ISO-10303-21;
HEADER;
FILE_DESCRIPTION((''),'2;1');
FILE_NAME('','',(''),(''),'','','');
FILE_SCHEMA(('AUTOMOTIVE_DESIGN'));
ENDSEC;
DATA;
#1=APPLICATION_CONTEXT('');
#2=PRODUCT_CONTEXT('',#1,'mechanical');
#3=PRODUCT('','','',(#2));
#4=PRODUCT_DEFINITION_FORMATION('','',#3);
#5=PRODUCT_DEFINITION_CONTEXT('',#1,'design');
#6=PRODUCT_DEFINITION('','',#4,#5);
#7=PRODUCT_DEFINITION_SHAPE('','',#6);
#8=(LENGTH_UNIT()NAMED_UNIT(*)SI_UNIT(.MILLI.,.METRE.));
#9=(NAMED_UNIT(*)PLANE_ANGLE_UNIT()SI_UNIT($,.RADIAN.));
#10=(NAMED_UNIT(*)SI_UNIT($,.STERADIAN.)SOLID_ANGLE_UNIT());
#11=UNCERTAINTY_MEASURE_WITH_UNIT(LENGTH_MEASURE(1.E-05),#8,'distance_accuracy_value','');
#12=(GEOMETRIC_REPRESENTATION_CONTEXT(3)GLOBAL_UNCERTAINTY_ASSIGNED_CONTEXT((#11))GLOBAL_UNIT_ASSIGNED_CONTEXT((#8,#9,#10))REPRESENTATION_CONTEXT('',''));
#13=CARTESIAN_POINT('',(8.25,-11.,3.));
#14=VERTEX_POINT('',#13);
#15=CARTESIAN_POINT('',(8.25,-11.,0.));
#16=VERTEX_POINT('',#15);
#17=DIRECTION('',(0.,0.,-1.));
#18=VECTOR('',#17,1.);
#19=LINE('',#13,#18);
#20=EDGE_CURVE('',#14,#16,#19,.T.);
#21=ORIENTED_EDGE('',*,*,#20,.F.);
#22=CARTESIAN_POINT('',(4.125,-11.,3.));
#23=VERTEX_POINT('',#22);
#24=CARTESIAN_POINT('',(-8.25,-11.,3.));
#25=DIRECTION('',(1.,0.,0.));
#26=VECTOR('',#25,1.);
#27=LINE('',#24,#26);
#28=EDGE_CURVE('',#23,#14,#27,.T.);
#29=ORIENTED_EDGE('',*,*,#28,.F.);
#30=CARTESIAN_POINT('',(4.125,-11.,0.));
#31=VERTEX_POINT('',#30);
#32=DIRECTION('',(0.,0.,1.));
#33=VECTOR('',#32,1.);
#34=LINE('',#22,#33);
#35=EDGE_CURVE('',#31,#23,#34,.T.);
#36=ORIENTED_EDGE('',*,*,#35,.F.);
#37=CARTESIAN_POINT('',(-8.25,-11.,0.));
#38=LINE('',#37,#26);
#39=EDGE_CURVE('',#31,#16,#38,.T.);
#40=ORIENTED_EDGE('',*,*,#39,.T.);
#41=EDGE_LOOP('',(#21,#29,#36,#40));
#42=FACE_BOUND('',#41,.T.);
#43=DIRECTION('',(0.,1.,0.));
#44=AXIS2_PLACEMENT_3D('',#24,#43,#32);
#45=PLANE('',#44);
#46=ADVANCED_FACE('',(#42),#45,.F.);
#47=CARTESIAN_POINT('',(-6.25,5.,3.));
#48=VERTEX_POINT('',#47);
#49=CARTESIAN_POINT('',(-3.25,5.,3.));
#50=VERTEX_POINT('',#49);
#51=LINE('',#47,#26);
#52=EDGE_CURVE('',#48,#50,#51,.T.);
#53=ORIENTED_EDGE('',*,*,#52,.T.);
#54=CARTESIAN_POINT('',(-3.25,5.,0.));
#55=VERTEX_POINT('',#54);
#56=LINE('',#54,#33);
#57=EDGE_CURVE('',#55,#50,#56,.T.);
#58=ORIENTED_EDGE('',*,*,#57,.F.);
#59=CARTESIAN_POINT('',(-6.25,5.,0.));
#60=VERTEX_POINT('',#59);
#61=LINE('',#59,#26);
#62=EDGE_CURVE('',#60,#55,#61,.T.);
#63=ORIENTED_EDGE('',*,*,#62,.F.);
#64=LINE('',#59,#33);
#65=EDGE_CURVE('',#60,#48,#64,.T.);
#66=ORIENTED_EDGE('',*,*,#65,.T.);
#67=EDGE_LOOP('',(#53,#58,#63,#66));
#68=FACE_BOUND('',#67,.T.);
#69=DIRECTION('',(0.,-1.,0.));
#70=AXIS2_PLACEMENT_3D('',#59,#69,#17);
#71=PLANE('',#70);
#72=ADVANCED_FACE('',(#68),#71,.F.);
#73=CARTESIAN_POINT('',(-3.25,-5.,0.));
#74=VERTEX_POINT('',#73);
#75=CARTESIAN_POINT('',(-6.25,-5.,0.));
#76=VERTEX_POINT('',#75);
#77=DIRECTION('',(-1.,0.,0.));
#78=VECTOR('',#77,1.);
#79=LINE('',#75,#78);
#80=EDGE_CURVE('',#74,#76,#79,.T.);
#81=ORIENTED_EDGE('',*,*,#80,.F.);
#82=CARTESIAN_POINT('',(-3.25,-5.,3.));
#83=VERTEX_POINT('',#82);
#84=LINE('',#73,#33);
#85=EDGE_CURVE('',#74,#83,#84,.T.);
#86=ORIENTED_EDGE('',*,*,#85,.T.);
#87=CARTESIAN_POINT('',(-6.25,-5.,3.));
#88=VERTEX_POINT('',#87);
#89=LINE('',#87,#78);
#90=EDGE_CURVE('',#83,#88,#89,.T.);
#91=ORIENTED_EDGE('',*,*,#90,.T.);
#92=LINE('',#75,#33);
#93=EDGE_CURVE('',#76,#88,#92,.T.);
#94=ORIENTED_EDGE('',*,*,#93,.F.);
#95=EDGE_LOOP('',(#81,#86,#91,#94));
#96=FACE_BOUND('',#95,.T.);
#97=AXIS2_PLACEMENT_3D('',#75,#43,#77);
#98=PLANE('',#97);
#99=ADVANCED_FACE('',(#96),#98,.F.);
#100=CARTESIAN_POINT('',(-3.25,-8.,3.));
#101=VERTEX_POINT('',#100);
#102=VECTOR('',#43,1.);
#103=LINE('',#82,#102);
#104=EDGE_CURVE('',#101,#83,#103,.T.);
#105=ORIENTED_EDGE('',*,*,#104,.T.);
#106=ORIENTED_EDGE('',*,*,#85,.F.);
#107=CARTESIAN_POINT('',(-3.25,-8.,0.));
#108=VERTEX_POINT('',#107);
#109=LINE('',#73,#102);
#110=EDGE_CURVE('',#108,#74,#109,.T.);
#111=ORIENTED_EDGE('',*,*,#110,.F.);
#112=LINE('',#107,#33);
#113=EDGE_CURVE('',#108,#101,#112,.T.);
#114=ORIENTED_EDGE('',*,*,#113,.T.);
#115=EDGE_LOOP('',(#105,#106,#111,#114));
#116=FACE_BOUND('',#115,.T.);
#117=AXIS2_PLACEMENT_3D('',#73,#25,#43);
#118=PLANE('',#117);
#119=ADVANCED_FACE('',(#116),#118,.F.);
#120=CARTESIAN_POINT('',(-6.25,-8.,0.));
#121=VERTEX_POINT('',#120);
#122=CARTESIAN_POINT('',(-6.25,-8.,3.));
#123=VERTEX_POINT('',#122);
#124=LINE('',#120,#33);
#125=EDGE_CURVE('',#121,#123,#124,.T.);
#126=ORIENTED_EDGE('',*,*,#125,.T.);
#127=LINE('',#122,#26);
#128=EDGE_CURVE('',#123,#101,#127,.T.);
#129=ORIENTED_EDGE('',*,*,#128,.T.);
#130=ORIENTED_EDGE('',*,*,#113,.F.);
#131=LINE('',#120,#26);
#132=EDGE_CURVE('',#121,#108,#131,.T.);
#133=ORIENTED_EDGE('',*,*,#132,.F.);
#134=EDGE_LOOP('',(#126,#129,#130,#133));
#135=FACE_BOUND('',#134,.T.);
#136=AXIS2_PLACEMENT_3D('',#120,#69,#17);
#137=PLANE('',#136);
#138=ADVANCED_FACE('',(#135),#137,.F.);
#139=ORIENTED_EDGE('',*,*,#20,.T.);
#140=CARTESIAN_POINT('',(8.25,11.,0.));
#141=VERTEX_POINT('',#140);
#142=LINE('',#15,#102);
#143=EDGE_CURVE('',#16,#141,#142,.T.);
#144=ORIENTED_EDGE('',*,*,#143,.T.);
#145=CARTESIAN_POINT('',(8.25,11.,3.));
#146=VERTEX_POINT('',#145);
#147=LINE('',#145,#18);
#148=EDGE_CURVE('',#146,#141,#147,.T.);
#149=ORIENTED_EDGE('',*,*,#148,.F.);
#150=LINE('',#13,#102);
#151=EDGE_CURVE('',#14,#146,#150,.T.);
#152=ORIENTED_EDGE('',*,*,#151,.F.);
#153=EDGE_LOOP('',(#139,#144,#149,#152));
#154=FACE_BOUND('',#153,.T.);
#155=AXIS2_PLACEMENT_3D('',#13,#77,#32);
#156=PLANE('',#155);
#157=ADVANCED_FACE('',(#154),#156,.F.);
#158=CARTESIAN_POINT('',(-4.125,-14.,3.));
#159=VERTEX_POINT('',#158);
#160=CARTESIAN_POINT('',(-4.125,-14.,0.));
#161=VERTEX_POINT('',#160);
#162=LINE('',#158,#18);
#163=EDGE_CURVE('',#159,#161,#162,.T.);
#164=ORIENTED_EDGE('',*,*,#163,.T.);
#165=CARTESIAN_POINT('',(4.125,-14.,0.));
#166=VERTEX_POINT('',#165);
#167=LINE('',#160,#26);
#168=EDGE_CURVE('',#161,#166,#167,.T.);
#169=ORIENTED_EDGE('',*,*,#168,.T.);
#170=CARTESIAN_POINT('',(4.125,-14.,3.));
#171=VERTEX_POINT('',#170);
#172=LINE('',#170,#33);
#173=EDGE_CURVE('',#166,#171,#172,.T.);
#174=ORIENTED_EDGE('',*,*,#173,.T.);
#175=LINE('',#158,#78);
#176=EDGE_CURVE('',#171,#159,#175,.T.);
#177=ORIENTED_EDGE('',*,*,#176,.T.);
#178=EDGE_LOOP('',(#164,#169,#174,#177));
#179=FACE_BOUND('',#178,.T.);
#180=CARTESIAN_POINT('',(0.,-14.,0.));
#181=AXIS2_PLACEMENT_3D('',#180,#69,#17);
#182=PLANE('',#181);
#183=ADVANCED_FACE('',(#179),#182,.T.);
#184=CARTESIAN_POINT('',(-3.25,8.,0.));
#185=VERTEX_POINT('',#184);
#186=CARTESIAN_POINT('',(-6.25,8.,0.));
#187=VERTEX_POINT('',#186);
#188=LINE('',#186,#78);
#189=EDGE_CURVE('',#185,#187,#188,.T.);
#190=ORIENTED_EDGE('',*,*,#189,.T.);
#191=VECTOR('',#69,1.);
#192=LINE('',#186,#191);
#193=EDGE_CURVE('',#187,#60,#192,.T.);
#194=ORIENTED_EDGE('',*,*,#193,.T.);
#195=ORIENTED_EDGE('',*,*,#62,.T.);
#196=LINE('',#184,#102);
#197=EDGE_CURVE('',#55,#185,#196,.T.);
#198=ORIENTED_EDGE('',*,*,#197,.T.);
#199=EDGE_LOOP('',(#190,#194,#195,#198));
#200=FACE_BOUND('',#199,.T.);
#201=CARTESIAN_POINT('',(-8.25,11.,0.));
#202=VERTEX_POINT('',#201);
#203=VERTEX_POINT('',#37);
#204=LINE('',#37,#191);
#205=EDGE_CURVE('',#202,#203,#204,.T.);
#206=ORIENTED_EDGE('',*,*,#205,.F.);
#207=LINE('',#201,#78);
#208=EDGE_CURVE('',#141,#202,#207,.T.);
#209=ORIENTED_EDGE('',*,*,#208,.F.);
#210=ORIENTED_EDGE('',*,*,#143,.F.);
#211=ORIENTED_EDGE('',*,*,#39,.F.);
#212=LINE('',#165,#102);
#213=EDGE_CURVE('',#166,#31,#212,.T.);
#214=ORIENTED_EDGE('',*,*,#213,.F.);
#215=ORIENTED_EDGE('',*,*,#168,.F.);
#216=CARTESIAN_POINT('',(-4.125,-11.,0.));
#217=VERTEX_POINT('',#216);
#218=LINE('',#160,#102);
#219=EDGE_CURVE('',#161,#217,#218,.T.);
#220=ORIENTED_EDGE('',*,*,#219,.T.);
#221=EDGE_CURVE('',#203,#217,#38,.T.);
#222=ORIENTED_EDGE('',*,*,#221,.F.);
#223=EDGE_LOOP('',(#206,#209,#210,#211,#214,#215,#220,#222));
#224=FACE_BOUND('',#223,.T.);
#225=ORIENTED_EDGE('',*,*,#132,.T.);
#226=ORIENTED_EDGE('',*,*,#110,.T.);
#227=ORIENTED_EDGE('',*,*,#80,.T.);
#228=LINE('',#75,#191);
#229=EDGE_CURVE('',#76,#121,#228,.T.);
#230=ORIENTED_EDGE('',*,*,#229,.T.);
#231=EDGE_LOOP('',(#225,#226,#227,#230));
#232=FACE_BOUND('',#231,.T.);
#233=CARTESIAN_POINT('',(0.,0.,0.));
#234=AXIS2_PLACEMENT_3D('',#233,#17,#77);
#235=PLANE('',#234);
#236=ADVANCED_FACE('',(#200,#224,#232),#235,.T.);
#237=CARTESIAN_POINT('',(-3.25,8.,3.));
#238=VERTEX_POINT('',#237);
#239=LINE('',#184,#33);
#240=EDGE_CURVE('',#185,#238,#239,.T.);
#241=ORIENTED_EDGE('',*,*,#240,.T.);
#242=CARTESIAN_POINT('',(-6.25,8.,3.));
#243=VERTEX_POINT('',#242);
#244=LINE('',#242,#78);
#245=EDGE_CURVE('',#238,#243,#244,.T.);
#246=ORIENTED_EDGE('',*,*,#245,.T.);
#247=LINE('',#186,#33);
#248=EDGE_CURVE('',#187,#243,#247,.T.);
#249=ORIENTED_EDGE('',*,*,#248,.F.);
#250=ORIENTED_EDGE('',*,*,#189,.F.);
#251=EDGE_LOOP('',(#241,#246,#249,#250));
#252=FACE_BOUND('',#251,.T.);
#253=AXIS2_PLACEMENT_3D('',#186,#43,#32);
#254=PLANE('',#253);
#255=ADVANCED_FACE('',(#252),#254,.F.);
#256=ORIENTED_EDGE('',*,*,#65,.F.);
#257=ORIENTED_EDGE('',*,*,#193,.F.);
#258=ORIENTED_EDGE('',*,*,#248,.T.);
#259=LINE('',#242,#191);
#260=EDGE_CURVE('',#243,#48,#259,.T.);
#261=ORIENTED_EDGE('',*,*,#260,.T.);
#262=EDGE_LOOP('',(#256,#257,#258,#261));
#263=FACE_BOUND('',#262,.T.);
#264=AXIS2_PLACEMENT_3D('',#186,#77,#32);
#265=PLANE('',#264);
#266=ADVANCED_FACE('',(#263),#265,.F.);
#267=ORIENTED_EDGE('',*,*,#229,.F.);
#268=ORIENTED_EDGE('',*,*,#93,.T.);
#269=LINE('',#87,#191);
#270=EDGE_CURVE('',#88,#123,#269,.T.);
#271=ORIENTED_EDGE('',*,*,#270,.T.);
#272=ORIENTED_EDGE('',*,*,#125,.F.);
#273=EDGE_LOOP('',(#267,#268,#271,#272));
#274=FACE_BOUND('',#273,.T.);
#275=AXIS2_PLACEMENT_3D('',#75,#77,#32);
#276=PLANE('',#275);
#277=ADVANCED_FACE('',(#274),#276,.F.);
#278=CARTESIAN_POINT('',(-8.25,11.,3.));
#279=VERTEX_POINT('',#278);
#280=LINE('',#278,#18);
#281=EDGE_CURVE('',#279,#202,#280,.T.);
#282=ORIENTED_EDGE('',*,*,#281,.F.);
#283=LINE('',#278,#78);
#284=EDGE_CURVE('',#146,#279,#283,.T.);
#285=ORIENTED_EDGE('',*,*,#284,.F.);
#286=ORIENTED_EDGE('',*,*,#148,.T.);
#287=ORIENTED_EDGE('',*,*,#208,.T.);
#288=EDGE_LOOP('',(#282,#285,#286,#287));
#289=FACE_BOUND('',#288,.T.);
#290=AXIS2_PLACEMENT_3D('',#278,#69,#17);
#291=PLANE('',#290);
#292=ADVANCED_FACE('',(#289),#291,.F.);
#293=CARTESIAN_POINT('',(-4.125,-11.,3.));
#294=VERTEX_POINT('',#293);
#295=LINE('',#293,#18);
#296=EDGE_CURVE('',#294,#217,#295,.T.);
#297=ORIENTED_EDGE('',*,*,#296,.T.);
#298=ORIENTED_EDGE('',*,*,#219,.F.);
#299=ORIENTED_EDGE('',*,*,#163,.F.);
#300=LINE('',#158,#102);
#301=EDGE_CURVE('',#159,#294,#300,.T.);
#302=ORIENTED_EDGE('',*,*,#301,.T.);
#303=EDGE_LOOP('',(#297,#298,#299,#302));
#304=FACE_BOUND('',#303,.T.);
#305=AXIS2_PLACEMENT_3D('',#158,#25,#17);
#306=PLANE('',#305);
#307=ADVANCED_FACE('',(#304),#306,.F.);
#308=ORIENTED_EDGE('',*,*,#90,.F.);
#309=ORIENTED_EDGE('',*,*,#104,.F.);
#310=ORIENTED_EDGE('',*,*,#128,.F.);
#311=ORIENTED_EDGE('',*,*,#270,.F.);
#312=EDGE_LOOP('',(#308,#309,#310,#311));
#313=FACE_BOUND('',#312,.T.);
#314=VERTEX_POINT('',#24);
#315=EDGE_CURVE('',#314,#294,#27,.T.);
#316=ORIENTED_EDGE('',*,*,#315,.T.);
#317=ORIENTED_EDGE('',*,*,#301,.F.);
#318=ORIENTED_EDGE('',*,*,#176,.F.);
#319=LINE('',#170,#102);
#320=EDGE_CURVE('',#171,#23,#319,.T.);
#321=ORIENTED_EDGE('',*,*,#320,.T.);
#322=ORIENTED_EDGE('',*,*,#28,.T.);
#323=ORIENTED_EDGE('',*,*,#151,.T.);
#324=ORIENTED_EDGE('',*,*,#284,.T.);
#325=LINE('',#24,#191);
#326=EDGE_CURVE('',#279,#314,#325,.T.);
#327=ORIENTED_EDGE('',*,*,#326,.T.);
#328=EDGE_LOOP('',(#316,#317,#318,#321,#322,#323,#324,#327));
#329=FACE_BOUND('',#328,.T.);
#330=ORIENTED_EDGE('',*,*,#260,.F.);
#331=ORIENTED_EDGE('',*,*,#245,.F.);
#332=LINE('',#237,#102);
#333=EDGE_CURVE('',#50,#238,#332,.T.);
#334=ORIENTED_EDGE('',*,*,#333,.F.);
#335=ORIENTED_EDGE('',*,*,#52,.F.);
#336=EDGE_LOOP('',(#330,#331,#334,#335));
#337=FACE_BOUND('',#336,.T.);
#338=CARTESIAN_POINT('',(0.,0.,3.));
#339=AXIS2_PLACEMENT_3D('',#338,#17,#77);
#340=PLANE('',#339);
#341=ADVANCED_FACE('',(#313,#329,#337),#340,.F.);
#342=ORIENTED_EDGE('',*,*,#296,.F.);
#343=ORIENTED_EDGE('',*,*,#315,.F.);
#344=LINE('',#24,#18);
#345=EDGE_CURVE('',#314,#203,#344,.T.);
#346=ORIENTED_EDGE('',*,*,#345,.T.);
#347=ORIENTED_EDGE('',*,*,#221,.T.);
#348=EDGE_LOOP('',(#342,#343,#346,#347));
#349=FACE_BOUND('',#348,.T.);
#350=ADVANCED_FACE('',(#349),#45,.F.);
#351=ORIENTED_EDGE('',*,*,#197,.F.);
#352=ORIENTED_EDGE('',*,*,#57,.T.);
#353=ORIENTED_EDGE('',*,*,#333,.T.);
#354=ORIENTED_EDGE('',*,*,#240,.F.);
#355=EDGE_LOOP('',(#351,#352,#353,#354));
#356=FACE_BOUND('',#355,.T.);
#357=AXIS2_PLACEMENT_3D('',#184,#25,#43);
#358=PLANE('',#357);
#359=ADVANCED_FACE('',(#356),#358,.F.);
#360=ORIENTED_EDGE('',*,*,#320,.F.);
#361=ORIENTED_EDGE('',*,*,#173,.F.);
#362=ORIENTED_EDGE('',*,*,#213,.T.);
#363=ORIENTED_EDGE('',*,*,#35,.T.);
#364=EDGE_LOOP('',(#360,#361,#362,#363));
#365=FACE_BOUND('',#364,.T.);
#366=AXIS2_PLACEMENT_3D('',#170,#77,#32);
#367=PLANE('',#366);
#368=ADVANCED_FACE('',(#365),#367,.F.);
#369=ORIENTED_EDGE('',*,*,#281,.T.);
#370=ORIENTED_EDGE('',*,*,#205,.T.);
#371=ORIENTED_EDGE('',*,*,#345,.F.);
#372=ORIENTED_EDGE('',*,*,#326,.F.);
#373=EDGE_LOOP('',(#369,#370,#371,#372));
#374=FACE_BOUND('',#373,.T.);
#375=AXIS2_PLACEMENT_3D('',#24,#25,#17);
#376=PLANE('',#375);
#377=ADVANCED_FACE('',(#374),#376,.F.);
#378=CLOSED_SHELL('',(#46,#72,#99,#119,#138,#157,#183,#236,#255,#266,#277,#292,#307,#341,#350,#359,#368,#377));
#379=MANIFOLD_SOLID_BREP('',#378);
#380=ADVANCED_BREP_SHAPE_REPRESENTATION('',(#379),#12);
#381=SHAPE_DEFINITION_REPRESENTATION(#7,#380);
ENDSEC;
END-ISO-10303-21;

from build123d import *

# Parameters (mm, degrees)
SKETCH1_W           = 16.5
SKETCH1_H           = 22
BOSS_EXTRUDE1_DEPTH = 3
SKETCH2_W           = 8.25
SKETCH2_H           = 3
BOSS_EXTRUDE2_DEPTH = 3
SKETCH3_W           = 3
SKETCH3_H           = 3
CUT_EXTRUDE1_DEPTH  = 3


with BuildPart() as part:
    # Sketch1 → Boss-Extrude1 (new body)
    with BuildSketch(Plane.XY):
        Rectangle(SKETCH1_W, SKETCH1_H)
    extrude(amount=BOSS_EXTRUDE1_DEPTH)

    # Sketch2 → Boss-Extrude2 (add)
    with BuildSketch(Plane(origin=(0, -11, 0), x_dir=(-1, 0, 0), z_dir=(0, -1, 0))):
        with Locations((0, -1.5)):
            Rectangle(SKETCH2_W, SKETCH2_H)
    extrude(amount=BOSS_EXTRUDE2_DEPTH)

    # Sketch3 → Cut-Extrude1 (cut)
    with BuildSketch(Plane.XY.offset(3)):
        with Locations((-4.75, -6.5)):
            Rectangle(SKETCH3_W, SKETCH3_H)
        with Locations((-4.75, 6.5)):
            Rectangle(SKETCH3_W, SKETCH3_H)
    extrude(amount=-CUT_EXTRUDE1_DEPTH, mode=Mode.SUBTRACT)


solid = part.part
